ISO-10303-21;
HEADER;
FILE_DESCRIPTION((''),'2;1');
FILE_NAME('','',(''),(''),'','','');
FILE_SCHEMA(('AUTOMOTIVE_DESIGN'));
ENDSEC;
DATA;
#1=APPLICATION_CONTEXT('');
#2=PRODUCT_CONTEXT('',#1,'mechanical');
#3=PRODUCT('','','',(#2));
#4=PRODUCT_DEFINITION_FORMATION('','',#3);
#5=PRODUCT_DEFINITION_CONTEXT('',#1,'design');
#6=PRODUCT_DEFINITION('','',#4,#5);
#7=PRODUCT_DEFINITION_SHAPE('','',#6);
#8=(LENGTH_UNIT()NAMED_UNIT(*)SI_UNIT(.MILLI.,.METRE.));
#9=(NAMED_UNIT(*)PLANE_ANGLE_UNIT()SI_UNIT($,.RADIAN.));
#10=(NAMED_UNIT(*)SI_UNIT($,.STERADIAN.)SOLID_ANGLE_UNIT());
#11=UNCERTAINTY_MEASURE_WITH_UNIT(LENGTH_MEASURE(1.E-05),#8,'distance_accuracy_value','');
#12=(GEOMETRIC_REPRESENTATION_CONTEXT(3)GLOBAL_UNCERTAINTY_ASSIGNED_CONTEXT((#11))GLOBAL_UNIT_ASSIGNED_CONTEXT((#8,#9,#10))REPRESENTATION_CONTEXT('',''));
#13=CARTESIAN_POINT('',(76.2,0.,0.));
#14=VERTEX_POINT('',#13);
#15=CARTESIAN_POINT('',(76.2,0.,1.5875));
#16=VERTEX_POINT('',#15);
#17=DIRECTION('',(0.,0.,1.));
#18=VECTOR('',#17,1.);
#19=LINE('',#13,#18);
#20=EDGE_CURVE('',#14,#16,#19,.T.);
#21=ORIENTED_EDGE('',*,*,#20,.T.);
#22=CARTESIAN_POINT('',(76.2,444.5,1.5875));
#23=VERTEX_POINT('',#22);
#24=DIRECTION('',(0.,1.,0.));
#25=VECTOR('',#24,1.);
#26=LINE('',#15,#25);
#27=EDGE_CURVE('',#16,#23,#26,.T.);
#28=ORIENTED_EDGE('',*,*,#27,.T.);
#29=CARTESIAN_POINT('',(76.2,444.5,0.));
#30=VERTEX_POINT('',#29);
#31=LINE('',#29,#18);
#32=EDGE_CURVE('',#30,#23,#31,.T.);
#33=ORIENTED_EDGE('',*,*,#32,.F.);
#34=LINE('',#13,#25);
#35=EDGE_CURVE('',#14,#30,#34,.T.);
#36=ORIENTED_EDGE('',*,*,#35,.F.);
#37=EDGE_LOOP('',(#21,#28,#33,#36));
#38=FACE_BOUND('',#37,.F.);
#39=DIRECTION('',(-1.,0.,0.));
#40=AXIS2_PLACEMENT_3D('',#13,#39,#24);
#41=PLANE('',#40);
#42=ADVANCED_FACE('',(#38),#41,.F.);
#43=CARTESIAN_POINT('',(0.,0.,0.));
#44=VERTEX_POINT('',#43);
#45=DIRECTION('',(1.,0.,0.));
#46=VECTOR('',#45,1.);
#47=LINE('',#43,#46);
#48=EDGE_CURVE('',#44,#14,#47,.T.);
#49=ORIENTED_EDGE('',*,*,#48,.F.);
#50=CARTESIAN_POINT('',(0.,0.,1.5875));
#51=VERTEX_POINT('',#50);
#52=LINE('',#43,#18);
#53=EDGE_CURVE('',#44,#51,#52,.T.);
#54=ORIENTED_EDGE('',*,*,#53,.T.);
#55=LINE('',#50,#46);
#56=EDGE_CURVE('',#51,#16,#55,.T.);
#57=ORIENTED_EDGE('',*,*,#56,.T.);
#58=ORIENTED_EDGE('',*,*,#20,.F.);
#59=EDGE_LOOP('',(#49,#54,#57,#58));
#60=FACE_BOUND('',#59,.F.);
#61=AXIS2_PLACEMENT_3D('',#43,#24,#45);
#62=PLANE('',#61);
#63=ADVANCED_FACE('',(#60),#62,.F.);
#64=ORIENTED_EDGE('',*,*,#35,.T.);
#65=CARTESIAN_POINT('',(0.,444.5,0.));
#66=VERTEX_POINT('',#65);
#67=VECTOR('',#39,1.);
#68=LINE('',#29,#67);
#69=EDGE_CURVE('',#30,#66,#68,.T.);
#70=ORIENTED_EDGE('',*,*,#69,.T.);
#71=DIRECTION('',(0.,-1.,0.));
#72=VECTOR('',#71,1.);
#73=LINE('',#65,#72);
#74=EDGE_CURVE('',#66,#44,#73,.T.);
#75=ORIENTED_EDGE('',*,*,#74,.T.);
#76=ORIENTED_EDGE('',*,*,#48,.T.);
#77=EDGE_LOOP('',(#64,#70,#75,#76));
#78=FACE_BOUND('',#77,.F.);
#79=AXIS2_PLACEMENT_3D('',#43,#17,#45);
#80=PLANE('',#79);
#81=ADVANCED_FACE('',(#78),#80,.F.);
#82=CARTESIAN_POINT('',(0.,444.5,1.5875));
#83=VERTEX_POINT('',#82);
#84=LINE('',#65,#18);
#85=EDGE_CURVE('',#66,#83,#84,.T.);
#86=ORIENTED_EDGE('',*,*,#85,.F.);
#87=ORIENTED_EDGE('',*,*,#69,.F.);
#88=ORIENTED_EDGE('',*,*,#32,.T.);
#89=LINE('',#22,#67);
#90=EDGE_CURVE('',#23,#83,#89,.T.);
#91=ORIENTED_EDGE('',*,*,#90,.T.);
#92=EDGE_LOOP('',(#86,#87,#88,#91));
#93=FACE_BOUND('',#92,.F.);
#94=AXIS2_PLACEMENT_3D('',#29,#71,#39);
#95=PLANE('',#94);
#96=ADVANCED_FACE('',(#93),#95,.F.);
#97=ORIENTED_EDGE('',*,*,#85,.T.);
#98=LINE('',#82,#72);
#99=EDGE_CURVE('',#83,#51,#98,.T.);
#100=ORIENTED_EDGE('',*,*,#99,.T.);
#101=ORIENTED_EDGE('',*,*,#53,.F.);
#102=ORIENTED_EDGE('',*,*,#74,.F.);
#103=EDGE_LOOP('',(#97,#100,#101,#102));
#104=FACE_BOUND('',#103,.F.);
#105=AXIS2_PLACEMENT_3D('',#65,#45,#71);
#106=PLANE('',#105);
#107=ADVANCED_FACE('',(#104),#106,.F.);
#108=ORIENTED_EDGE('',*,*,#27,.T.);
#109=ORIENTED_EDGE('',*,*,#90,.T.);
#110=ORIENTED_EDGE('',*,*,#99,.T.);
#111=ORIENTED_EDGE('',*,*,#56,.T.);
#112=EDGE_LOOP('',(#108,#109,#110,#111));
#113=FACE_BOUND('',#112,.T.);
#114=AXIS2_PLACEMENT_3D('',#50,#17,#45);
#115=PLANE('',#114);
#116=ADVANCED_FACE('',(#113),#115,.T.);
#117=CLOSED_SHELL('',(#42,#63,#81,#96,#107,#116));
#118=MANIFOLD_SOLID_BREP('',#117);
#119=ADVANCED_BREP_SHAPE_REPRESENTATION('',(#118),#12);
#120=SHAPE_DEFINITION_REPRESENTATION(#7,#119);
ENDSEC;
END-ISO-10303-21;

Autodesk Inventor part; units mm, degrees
ref_plane "YZ Plane" through (0, 0, 0) normal (1, 0, 0) x (0, 1, 0)
ref_plane "XZ Plane" through (0, 0, 0) normal (0, 1, 0) x (-1, 0, 0)
ref_plane "XY Plane" through (0, 0, 0) normal (0, 0, 1) x (1, 0, 0)
sketch "Sketch1" plane through (0, 0, 0) normal (0, 0, 1) x (1, 0, 0)
  line L0 (0, 0) -> (76.2, 0)
  line L1 (76.2, 0) -> (76.2, 444.5)
  line L2 (76.2, 444.5) -> (0, 444.5)
  line L3 (0, 444.5) -> (0, 0)
  dimension "d0" = 76.2
  dimension "d1" = 444.5
extrude "Extrusion1" add sketch "Sketch1" along normal blind 1.5875
properties part number "RightSidePlate"
